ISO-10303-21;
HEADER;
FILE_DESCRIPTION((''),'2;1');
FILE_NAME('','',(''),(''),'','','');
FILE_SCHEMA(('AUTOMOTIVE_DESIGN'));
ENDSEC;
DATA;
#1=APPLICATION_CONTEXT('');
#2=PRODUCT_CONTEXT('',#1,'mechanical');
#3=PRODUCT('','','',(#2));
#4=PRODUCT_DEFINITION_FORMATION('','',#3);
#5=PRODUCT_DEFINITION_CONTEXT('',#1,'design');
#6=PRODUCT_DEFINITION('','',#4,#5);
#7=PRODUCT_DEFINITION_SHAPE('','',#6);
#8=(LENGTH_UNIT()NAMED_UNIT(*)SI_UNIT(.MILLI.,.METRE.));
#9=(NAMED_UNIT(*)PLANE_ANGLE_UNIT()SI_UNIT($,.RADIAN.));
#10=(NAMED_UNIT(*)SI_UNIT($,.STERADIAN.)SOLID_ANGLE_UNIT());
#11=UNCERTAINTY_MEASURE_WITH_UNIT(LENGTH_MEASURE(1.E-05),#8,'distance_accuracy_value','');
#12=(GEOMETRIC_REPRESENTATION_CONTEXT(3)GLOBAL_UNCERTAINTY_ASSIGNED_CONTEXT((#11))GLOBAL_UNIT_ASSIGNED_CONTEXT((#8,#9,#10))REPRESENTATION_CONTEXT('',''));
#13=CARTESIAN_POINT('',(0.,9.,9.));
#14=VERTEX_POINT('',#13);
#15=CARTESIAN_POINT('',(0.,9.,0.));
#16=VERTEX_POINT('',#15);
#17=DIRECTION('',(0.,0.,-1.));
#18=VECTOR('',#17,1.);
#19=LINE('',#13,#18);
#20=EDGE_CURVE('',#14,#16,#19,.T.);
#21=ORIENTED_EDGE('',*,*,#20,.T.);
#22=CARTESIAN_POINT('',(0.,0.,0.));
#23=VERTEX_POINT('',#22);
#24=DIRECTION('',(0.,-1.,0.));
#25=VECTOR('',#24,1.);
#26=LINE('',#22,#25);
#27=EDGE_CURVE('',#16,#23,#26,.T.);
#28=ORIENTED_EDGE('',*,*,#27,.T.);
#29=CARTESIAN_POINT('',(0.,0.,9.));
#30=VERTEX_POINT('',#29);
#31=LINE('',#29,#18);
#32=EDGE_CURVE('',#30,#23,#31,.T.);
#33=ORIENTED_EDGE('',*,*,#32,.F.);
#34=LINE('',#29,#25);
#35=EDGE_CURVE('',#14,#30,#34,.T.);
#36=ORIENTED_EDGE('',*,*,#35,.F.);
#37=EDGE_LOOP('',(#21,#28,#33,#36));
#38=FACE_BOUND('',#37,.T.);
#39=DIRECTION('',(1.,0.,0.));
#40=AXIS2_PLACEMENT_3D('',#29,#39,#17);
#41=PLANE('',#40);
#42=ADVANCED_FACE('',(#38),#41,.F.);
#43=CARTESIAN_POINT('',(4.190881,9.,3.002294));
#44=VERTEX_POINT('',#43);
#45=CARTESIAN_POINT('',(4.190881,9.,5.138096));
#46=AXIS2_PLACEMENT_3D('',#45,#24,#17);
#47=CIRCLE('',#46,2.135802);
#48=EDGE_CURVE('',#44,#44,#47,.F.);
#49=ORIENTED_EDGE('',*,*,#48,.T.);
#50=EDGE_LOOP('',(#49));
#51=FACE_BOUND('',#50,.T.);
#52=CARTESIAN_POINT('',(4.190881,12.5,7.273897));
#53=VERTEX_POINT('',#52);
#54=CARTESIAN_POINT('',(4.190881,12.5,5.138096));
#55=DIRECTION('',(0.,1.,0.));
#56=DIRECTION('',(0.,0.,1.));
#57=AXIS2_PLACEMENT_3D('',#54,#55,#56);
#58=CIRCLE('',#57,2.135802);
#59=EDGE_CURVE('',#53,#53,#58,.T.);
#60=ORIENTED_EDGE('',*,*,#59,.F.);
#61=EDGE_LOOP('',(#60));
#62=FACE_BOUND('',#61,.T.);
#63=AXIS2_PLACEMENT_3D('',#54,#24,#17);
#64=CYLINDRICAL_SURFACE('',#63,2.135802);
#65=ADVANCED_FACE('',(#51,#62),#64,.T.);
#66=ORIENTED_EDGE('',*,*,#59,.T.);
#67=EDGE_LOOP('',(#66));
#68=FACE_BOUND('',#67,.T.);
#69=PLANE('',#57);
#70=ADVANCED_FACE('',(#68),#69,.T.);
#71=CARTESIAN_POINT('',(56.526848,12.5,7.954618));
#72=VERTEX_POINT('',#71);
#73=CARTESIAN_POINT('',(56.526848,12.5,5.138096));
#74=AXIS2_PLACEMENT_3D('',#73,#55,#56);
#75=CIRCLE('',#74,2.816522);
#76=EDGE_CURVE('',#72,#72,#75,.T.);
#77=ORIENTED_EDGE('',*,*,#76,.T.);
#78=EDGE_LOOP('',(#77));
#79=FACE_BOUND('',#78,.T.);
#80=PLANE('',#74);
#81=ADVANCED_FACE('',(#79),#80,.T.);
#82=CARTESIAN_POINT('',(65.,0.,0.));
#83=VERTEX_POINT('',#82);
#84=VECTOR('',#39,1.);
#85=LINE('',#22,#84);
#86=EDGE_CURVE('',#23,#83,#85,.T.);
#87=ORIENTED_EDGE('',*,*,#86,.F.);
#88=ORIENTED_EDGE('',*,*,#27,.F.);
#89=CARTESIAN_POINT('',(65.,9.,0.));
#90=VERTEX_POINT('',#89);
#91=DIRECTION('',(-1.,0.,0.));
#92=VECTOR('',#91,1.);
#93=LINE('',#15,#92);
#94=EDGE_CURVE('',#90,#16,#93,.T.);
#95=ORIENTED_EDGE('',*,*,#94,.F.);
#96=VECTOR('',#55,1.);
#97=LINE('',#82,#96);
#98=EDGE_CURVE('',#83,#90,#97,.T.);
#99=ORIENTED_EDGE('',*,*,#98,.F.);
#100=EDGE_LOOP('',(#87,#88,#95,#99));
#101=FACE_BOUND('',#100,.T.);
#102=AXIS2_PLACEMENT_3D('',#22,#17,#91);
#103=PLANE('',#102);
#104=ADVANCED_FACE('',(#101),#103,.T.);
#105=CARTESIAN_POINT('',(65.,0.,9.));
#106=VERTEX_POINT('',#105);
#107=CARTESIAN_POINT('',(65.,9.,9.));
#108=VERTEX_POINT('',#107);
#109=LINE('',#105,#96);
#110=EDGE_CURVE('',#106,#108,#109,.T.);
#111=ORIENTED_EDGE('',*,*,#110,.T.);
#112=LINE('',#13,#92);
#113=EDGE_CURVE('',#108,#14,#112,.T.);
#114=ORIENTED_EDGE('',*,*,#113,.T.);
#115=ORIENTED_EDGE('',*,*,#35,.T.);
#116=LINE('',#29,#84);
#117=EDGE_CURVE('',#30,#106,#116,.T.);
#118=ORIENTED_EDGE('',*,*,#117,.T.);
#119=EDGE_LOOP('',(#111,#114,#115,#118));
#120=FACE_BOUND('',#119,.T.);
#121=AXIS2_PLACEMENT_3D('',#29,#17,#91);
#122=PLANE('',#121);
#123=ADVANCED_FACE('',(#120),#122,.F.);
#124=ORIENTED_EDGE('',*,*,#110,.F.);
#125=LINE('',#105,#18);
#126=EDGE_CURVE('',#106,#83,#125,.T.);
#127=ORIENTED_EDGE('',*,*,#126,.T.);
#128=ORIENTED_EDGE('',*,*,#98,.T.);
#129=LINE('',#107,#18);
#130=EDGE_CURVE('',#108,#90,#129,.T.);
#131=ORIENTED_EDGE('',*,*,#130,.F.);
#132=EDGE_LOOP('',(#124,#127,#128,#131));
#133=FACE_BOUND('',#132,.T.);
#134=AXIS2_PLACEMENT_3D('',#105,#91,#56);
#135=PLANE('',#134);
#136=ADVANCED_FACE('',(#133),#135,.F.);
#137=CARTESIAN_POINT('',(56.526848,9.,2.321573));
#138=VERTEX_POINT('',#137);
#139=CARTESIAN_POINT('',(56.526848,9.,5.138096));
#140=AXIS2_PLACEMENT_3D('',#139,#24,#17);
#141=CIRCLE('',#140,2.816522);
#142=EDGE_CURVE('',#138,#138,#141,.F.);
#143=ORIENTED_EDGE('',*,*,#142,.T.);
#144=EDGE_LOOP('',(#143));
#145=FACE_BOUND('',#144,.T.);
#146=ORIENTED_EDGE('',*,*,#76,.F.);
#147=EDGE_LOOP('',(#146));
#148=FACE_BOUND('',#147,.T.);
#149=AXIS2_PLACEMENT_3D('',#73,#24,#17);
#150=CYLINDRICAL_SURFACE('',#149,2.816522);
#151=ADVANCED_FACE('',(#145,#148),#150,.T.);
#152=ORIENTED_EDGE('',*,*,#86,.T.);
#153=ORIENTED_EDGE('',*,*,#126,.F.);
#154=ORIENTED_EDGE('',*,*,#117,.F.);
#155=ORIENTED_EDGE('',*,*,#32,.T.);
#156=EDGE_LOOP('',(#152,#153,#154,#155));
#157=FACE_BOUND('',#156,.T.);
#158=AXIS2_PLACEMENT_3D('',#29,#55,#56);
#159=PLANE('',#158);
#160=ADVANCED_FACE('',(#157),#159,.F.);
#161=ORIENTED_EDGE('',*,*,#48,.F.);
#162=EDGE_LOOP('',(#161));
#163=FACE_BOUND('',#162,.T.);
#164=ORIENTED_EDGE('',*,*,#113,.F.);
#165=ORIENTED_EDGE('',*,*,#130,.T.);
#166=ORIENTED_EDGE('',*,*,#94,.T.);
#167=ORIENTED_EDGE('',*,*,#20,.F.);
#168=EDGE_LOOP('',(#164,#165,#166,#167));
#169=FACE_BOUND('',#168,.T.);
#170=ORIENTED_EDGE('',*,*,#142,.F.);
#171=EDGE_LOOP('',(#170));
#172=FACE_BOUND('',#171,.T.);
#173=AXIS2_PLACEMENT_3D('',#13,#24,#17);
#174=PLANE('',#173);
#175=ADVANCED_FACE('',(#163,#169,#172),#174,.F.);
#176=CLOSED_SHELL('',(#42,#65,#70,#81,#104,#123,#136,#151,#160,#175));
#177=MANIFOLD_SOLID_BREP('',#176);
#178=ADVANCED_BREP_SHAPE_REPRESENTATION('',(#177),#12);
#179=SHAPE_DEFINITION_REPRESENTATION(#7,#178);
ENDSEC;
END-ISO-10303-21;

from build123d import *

# Parameters (mm, degrees)
SKETCH1_W           = 65
SKETCH1_H           = 9
BOSS_EXTRUDE1_DEPTH = 9
SKETCH2_R           = 2.135801536
SKETCH2_R_2         = 2.816522171
BOSS_EXTRUDE2_DEPTH = 3.5


with BuildPart() as part:
    # Sketch1 → Boss-Extrude1 (new body)
    with BuildSketch(Plane.XY):
        with Locations((32.5, 4.5)):
            Rectangle(SKETCH1_W, SKETCH1_H)
    extrude(amount=BOSS_EXTRUDE1_DEPTH)

    # Sketch2 → Boss-Extrude2 (add)
    with BuildSketch(Plane(origin=(0, 9, 0), x_dir=(1, 0, 0), z_dir=(0, 1, 0))):
        with Locations(Location((4.190880533, -5.138095646, 0), (0, 0, 90))):  # turned: the seam where the file's is
            Circle(SKETCH2_R)
        with Locations(Location((56.526848016, -5.138095646, 0), (0, 0, 90))):  # turned: the seam where the file's is
            Circle(SKETCH2_R_2)
    extrude(amount=BOSS_EXTRUDE2_DEPTH)


solid = part.part
